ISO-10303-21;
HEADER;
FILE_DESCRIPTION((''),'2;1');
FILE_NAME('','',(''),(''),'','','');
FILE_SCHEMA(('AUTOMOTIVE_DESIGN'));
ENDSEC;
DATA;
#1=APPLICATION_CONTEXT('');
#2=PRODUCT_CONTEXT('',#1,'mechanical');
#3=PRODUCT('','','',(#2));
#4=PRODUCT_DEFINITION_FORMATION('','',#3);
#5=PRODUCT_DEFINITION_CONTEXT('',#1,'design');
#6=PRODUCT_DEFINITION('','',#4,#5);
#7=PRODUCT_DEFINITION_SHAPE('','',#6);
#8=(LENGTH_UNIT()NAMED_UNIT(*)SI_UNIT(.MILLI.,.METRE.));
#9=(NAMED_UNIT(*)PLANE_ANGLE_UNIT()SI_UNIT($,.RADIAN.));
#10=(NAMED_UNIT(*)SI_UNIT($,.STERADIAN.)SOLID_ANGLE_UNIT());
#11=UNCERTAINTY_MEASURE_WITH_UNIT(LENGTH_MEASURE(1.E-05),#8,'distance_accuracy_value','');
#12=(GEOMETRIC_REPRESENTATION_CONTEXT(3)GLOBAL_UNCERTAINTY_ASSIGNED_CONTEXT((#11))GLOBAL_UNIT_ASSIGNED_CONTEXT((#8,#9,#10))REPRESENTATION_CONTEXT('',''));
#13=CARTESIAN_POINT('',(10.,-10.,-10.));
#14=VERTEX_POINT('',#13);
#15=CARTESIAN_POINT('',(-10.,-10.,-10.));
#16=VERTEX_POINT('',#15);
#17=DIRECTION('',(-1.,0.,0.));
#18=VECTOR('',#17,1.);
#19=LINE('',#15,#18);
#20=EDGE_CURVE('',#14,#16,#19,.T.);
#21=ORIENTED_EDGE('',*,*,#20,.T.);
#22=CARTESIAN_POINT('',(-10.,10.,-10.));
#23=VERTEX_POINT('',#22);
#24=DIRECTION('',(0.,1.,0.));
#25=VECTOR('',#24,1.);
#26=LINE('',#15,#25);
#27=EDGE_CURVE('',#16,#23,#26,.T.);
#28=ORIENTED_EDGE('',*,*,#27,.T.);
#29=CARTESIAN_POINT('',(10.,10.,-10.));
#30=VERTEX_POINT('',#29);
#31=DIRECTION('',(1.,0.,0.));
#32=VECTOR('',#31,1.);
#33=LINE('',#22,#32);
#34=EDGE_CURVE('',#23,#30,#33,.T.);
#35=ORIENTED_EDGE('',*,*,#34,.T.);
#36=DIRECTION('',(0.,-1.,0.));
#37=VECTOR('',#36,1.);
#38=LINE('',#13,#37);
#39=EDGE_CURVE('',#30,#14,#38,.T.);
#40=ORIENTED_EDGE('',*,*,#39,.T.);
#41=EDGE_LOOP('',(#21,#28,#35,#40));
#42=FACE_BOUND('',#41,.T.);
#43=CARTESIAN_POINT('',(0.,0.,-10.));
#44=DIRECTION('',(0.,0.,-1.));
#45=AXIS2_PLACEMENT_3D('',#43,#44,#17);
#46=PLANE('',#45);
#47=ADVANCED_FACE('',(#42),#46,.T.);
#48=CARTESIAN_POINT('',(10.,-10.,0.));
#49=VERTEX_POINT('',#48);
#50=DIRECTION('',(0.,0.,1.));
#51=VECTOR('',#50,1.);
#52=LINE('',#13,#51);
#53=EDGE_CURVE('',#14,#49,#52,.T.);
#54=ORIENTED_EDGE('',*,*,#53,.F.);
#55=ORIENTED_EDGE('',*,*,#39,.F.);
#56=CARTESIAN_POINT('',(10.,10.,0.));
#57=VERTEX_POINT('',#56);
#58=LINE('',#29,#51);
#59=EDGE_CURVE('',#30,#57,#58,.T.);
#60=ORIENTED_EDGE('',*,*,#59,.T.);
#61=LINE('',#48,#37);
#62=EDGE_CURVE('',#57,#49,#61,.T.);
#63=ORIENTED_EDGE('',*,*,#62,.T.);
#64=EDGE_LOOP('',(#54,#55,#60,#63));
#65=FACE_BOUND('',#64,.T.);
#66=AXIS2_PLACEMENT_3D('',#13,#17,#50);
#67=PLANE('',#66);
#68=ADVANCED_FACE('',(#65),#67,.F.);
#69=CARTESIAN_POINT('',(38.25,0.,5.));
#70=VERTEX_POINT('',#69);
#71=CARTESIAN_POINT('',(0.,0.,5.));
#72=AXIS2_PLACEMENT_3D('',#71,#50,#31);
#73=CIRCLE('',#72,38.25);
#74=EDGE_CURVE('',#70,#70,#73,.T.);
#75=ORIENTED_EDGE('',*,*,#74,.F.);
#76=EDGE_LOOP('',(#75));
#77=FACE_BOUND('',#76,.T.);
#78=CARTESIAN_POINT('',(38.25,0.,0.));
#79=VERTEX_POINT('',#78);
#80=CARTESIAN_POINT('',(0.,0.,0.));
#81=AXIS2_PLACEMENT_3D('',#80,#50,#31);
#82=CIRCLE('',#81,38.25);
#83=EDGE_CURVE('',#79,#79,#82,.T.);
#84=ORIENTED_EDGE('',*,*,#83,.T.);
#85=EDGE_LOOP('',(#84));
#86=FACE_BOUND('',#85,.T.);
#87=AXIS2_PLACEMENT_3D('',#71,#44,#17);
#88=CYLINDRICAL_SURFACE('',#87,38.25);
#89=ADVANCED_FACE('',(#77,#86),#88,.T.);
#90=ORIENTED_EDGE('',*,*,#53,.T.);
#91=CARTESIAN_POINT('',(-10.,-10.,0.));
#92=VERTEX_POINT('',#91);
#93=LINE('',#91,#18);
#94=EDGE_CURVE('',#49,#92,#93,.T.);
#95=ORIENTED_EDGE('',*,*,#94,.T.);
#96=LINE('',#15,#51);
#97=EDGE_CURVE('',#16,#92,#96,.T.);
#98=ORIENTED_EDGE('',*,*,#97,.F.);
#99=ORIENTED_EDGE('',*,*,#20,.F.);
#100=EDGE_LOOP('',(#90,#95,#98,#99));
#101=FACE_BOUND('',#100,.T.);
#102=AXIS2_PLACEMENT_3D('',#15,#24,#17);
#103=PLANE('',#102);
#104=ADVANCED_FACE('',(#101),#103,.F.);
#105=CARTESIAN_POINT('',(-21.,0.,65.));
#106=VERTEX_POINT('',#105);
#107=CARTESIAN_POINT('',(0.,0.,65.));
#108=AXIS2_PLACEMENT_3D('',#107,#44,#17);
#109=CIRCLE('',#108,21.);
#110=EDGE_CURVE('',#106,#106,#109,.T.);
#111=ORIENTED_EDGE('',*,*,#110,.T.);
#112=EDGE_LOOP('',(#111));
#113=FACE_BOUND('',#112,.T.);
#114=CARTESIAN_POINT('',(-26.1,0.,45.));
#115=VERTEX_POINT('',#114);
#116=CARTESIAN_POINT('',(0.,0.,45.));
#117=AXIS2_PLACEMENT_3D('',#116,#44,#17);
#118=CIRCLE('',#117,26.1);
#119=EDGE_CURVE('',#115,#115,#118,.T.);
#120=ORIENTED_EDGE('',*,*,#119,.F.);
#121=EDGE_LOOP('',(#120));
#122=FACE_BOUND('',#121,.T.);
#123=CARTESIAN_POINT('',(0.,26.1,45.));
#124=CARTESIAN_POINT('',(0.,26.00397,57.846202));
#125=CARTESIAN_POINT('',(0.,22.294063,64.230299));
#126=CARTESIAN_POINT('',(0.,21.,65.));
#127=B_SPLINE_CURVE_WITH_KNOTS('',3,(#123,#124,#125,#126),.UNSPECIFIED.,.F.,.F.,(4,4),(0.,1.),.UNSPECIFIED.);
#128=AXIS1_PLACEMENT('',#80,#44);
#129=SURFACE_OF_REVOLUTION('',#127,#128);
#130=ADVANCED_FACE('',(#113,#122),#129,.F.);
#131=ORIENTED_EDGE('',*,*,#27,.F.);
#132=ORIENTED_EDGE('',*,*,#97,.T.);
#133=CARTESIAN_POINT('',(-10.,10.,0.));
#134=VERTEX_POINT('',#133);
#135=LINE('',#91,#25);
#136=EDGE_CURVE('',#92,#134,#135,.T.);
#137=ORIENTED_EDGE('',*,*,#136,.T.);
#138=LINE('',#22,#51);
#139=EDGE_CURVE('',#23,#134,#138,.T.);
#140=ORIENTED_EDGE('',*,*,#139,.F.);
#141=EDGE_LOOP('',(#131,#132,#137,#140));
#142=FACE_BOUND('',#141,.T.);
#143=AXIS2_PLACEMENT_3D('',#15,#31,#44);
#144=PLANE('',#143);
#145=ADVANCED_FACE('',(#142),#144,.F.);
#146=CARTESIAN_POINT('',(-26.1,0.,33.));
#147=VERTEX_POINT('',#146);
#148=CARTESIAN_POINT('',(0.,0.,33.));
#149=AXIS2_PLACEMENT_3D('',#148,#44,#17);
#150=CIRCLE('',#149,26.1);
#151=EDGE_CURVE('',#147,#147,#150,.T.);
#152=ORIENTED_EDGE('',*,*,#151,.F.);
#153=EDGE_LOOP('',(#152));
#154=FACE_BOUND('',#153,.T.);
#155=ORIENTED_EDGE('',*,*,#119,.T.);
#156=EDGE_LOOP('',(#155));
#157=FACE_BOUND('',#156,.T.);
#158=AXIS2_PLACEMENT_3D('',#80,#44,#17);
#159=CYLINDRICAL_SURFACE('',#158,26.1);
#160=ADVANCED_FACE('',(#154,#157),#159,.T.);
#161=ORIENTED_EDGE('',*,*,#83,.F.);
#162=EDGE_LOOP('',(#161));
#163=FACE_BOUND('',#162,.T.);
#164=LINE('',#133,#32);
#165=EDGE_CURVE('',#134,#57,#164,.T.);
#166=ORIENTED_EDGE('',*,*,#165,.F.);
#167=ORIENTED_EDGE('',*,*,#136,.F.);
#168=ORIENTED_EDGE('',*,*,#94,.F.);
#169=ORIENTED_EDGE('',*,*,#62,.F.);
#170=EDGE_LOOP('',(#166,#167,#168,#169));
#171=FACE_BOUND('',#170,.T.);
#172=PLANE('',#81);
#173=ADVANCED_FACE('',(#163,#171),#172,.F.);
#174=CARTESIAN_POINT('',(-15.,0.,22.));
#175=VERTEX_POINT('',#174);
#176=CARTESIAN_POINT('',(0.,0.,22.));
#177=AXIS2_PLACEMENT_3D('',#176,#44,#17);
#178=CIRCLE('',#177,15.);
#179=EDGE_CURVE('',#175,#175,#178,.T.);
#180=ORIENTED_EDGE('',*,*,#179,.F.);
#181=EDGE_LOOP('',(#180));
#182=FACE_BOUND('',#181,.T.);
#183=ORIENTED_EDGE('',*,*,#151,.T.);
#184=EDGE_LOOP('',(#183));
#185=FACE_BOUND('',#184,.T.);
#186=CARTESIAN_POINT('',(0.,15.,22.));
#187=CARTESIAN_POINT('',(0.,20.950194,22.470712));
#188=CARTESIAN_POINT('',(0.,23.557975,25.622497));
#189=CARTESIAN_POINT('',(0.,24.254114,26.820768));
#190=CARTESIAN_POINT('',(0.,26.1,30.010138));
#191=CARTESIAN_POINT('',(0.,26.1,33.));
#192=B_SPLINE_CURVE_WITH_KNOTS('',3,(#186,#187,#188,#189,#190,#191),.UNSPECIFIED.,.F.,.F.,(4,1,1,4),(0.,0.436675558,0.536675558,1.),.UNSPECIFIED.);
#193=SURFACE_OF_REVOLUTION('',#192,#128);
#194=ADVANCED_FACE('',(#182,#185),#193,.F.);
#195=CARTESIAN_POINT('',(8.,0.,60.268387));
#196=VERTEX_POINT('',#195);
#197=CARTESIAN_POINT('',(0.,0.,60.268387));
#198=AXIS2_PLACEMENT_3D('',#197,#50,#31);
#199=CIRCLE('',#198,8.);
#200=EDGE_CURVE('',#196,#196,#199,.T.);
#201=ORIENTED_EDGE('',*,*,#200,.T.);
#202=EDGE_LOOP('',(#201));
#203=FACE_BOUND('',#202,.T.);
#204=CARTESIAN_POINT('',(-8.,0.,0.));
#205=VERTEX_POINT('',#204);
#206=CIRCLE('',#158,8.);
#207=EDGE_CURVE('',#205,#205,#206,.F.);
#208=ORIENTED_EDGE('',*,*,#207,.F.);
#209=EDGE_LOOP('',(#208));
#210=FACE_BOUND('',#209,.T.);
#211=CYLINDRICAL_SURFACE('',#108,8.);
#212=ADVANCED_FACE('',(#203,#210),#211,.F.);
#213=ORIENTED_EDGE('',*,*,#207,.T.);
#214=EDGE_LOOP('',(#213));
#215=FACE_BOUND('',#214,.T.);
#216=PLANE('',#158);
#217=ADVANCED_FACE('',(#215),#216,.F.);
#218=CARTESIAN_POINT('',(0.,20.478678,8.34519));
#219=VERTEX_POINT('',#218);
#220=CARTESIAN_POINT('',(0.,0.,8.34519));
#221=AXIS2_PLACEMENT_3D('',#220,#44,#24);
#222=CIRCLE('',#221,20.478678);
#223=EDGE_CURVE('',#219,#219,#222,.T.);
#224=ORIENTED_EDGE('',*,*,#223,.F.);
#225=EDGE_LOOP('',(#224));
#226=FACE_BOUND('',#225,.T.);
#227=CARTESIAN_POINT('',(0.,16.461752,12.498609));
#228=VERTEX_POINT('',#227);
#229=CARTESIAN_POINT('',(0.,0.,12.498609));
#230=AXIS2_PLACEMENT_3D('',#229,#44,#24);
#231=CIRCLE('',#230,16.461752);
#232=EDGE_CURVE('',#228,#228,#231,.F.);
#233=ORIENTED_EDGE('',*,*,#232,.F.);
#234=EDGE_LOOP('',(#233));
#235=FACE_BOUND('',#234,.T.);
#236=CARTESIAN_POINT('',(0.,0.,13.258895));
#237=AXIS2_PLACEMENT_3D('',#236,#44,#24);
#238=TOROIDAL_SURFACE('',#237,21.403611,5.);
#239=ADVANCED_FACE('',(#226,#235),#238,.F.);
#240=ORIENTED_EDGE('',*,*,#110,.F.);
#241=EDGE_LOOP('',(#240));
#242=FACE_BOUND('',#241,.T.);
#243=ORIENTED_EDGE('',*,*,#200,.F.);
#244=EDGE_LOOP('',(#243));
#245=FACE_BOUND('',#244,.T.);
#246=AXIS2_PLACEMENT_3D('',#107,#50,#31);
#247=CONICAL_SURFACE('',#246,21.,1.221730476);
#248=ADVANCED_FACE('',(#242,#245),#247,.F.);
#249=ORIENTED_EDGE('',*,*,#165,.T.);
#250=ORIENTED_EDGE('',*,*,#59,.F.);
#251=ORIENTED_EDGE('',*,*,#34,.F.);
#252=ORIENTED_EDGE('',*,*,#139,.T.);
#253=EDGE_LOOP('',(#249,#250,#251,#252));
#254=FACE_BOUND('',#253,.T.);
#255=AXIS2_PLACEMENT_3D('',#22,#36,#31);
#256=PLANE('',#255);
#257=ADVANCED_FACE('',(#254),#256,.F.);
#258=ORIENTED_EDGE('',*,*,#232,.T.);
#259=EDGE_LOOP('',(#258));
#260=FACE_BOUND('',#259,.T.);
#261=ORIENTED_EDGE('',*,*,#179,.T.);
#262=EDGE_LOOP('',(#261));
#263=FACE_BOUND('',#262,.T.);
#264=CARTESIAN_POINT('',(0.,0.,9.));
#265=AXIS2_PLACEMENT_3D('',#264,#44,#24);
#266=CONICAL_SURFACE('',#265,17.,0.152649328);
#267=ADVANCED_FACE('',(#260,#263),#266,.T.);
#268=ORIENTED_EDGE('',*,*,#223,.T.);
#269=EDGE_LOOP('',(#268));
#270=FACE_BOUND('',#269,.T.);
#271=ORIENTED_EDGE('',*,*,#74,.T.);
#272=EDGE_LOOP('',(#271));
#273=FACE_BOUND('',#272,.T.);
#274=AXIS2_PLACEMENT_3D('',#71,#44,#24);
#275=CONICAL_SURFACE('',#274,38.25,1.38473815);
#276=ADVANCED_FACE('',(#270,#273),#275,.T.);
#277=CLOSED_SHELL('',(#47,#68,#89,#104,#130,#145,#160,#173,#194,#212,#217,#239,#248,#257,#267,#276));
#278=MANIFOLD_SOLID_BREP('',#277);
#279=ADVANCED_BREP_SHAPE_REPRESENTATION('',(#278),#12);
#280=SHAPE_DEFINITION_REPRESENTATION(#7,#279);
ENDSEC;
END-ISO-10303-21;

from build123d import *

# Parameters (mm, degrees)
SKETCH_1_R          = 38.25
EXTRUDE_1_DEPTH     = 5
FILLET_1_R          = 5
SKETCH_5_R          = 8
CUT_EXTRUDE_1_DEPTH = 66.0000001
SKETCH_6_W          = 20
SKETCH_6_H          = 20
EXTRUDE_2_DEPTH     = 10


with BuildPart() as part:
    # ｽｹｯﾁ1 → ﾎﾞｽ - 押し出し1 (new body)
    with BuildSketch(Plane.XY):
        Circle(SKETCH_1_R)
    extrude(amount=EXTRUDE_1_DEPTH)

    # ｽｹｯﾁ2 → 回転1 (revolve)
    with BuildSketch(Plane(origin=(0, 0, 0), x_dir=(0, 0, -1), z_dir=(1, 0, 0))):
        Polygon((-22, 0), (-22, 15), (-9, 17), (-5, 38.25), (-5, 0), align=None)
    revolve(axis=Axis((0, 0, 0), (0, 0, 1)))

    # ﾌｨﾚｯﾄ1
    fillet_1_edges = [part.edges().sort_by_distance(p)[0] for p in [
        (0, -17, 9),
    ]]
    fillet(fillet_1_edges, radius=FILLET_1_R)

    # ｽｹｯﾁ3 → 回転2 (revolve)
    with BuildSketch(Plane(origin=(0, 0, 0), x_dir=(0, 0, -1), z_dir=(1, 0, 0))):
        with BuildLine():
            Line((-45, 26.1), (-33, 26.1))
            add(Edge.make_bspline(
                [(-33, 26.1), (-30.010138273, 26.1), (-26.820768311, 24.254113599), (-25.622496591, 23.557974687), (-22.470712298, 20.950193944), (-22, 15)],
                knots=[0, 0, 0, 0, 0.463324442, 0.563324442, 1, 1, 1, 1], degree=3))
            Line((-22, 15), (-22, 0))
            Line((-22, 0), (-57.35662508, 0))
            Line((-57.35662508, 0), (-65, 21))
            add(Edge.make_bspline(
                [(-45, 26.1), (-57.846202283, 26.003969711), (-64.230299253, 22.294062624), (-65, 21)],
                knots=[0, 0, 0, 0, 1, 1, 1, 1], degree=3))
        make_face()
    revolve(axis=Axis((0, 0, 0), (0, 0, 1)))

    # ｽｹｯﾁ5 → ｶｯﾄ - 押し出し1 (cut, through all)
    with BuildSketch(Plane(origin=(0, 0, 0), x_dir=(-1, 0, 0), z_dir=(0, 0, -1))):
        Circle(SKETCH_5_R)
    extrude(amount=-CUT_EXTRUDE_1_DEPTH, mode=Mode.SUBTRACT)

    # ｽｹｯﾁ6 → ﾎﾞｽ - 押し出し2 (add)
    with BuildSketch(Plane(origin=(0, 0, 0), x_dir=(-1, 0, 0), z_dir=(0, 0, -1))):
        Rectangle(SKETCH_6_W, SKETCH_6_H)
    extrude(amount=EXTRUDE_2_DEPTH)


solid = part.part
